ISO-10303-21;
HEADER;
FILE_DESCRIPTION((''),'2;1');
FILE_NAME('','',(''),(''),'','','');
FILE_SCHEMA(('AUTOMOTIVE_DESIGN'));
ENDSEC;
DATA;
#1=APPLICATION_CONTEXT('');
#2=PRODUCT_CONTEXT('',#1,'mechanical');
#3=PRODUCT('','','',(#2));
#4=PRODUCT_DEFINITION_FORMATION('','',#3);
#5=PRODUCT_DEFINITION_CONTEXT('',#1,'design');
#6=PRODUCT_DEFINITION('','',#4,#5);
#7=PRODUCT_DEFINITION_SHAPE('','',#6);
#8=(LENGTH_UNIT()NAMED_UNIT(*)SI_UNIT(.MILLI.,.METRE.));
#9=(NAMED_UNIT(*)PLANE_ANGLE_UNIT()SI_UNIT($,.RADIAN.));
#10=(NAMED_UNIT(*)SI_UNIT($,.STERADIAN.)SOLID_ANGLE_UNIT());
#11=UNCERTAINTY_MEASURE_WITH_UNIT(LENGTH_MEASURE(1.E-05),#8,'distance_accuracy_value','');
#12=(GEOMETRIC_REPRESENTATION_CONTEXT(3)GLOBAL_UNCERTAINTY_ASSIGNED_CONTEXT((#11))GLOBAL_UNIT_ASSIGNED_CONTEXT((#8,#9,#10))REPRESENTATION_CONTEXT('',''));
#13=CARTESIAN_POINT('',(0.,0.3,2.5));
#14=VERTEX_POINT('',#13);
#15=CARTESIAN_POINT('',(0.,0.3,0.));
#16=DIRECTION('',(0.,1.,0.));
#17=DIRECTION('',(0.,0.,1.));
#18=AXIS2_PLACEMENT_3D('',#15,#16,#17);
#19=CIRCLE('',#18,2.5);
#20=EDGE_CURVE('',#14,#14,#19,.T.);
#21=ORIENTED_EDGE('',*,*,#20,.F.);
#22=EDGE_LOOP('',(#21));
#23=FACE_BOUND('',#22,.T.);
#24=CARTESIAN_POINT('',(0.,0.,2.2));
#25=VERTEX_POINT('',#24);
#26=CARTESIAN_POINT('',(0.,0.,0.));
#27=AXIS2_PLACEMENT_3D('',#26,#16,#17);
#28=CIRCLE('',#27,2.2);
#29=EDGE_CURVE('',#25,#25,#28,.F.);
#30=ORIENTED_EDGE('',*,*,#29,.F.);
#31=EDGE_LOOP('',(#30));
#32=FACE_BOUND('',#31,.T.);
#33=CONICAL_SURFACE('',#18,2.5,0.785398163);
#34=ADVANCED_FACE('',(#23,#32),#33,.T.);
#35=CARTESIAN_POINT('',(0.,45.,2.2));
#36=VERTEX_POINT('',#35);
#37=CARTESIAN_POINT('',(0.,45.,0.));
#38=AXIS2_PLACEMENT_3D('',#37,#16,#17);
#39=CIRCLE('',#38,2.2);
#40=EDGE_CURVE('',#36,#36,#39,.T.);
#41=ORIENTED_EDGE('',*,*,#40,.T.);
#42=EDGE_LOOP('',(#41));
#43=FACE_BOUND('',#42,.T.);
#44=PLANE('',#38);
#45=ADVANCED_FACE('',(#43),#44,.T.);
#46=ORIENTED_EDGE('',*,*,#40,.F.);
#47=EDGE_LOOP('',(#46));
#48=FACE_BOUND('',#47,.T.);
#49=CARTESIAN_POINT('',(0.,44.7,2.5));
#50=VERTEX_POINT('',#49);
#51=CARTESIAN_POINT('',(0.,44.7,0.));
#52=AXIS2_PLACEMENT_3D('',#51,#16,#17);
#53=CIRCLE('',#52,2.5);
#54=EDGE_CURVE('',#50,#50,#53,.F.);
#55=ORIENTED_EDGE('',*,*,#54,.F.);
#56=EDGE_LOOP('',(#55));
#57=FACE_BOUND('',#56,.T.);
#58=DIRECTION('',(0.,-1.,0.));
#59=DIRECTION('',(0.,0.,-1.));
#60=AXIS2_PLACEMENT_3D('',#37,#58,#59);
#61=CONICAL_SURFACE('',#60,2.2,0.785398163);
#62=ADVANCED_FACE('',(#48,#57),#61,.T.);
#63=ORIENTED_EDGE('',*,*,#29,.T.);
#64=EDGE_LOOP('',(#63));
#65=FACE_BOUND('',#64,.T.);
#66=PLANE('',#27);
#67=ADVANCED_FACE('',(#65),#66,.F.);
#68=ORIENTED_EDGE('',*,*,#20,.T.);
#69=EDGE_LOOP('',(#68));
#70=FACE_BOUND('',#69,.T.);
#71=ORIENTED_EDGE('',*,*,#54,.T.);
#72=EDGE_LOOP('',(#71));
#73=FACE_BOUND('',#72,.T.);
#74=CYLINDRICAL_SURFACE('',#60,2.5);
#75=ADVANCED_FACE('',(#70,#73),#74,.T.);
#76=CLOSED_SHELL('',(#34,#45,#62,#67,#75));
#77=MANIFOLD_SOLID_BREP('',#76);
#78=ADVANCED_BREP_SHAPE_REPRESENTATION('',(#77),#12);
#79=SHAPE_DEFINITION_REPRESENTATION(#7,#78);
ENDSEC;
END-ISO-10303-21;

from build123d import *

# Parameters (mm, degrees)
SKETCH_1_R      = 2.5
EXTRUDE_1_DEPTH = 45
CHAMFER_1_SIZE  = 0.3


with BuildPart() as part:
    # Эскиз1 → Бобышка-Вытянуть1 (new body)
    with BuildSketch(Plane(origin=(0, 0, 0), x_dir=(1, 0, 0), z_dir=(0, 1, 0))):
        Circle(SKETCH_1_R)
    extrude(amount=EXTRUDE_1_DEPTH)

    # Фаска1
    chamfer_1_edges = [part.edges().sort_by_distance(p)[0] for p in [
        (-2.5, 0, 0),
        (-2.5, 45, 0),
    ]]
    chamfer(chamfer_1_edges, length=CHAMFER_1_SIZE)


solid = part.part
